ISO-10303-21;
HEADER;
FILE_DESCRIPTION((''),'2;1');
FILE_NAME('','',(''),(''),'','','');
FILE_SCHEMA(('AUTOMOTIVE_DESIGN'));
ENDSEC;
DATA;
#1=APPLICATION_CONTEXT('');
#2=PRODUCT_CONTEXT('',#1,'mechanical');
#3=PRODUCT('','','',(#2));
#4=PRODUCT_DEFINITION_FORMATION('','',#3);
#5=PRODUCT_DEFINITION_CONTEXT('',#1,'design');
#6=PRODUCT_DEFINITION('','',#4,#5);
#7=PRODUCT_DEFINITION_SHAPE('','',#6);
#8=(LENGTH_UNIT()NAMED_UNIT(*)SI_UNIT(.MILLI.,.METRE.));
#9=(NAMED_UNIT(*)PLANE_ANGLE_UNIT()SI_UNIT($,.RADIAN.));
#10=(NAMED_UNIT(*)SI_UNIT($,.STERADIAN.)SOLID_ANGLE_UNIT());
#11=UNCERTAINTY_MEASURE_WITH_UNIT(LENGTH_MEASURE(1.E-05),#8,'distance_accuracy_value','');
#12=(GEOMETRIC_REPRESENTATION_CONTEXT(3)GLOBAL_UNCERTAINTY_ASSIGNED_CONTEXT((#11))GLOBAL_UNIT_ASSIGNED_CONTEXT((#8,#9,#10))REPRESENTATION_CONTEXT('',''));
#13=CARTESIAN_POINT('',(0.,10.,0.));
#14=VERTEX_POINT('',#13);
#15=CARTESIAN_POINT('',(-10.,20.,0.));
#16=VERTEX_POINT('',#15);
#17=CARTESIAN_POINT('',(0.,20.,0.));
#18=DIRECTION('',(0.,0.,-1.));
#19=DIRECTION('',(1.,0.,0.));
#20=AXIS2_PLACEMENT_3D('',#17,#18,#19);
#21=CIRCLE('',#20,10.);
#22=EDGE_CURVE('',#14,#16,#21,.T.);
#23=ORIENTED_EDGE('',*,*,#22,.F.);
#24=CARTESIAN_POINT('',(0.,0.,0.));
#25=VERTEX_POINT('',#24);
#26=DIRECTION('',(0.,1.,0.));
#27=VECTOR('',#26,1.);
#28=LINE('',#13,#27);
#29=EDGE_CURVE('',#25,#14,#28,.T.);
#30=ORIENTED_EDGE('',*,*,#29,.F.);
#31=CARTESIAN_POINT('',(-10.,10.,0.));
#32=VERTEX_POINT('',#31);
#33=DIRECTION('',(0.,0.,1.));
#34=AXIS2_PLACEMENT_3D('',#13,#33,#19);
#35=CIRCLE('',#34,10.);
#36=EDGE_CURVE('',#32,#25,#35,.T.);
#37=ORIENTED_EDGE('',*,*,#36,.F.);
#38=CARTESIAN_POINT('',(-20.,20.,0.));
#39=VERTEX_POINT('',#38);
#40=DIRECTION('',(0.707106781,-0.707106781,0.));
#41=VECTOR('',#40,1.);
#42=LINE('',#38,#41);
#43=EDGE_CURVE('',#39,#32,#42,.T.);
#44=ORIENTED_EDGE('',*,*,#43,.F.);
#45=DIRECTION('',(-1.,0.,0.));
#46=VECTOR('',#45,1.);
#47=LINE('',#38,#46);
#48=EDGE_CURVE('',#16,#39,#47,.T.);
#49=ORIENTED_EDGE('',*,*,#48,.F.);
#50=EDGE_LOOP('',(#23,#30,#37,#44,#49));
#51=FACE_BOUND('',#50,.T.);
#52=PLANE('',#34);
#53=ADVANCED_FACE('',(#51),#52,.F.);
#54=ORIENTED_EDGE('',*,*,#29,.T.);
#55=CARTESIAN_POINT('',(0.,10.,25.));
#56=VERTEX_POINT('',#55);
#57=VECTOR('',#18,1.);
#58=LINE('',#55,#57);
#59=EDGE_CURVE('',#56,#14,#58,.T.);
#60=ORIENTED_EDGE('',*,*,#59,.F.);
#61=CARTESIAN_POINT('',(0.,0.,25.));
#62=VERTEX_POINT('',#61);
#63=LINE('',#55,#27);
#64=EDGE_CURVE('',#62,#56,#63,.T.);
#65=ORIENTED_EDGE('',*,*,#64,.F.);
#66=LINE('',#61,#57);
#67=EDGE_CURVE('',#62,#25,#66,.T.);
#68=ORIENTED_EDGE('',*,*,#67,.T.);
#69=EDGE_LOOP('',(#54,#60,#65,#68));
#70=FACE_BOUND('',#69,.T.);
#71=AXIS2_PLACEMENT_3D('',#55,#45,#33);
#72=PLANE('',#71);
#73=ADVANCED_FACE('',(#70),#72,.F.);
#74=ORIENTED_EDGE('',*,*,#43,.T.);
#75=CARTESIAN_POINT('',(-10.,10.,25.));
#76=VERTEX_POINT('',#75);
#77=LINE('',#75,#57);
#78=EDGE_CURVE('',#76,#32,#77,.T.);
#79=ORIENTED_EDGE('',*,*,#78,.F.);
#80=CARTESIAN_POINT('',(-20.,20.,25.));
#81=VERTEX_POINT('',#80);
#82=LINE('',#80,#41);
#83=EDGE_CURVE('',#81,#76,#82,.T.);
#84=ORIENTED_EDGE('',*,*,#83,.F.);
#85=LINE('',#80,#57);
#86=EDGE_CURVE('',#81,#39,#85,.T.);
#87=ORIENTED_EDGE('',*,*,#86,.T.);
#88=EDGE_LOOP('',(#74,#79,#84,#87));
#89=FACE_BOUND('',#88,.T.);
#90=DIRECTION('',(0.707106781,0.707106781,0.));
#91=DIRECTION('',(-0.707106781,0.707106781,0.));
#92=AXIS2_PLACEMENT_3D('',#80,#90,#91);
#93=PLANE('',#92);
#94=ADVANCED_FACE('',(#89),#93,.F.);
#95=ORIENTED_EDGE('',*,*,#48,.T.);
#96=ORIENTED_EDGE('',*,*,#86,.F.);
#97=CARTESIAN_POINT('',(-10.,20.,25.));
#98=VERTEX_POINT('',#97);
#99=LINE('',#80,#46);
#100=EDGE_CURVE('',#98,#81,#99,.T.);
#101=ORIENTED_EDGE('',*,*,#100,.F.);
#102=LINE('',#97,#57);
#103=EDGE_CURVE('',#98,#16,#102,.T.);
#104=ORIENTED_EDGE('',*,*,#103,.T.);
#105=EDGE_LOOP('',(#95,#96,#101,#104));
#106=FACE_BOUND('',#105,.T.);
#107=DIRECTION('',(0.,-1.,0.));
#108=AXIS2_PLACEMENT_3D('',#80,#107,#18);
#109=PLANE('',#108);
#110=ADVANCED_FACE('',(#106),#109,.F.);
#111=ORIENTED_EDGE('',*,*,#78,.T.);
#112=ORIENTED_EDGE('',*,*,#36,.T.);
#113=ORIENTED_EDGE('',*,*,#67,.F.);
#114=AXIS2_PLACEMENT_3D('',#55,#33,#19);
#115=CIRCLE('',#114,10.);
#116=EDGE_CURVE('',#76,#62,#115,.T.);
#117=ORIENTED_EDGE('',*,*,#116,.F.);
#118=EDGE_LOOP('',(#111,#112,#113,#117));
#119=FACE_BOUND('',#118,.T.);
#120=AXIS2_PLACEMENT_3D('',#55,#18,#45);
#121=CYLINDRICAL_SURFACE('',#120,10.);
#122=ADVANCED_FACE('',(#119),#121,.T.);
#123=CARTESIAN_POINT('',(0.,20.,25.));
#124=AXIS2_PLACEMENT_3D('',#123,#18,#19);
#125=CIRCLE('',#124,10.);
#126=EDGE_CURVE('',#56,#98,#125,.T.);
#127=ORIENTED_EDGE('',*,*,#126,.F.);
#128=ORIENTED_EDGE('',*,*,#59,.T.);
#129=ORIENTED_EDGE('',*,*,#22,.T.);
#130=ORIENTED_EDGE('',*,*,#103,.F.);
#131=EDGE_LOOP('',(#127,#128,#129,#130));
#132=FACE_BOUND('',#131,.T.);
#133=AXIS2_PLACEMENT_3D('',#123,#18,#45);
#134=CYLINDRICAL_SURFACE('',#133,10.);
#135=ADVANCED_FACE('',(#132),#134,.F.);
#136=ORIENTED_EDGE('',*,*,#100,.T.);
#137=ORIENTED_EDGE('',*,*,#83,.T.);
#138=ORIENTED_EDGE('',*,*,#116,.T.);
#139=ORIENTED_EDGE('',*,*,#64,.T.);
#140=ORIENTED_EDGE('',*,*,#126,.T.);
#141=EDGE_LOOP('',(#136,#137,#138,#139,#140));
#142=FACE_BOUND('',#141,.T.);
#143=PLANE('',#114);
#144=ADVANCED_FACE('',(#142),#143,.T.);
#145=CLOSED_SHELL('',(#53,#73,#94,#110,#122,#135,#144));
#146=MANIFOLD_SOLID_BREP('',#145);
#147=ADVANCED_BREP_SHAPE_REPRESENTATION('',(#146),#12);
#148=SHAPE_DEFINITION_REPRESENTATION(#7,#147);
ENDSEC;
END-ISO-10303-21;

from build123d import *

# Parameters (mm, degrees)
BOSS_EXTRUDE1_DEPTH = 25


with BuildPart() as part:
    # Sketch1 → Boss-Extrude1 (new body)
    with BuildSketch(Plane.XY):
        with BuildLine():
            Line((-20, 20), (-10, 20))
            ThreePointArc((-10, 20), (-7.071067812, 12.928932188), (0, 10))
            Line((0, 10), (0, 0))
            ThreePointArc((0, 0), (-7.071067812, 2.928932188), (-10, 10))
            Line((-10, 10), (-20, 20))
        make_face()
    extrude(amount=BOSS_EXTRUDE1_DEPTH)


solid = part.part
